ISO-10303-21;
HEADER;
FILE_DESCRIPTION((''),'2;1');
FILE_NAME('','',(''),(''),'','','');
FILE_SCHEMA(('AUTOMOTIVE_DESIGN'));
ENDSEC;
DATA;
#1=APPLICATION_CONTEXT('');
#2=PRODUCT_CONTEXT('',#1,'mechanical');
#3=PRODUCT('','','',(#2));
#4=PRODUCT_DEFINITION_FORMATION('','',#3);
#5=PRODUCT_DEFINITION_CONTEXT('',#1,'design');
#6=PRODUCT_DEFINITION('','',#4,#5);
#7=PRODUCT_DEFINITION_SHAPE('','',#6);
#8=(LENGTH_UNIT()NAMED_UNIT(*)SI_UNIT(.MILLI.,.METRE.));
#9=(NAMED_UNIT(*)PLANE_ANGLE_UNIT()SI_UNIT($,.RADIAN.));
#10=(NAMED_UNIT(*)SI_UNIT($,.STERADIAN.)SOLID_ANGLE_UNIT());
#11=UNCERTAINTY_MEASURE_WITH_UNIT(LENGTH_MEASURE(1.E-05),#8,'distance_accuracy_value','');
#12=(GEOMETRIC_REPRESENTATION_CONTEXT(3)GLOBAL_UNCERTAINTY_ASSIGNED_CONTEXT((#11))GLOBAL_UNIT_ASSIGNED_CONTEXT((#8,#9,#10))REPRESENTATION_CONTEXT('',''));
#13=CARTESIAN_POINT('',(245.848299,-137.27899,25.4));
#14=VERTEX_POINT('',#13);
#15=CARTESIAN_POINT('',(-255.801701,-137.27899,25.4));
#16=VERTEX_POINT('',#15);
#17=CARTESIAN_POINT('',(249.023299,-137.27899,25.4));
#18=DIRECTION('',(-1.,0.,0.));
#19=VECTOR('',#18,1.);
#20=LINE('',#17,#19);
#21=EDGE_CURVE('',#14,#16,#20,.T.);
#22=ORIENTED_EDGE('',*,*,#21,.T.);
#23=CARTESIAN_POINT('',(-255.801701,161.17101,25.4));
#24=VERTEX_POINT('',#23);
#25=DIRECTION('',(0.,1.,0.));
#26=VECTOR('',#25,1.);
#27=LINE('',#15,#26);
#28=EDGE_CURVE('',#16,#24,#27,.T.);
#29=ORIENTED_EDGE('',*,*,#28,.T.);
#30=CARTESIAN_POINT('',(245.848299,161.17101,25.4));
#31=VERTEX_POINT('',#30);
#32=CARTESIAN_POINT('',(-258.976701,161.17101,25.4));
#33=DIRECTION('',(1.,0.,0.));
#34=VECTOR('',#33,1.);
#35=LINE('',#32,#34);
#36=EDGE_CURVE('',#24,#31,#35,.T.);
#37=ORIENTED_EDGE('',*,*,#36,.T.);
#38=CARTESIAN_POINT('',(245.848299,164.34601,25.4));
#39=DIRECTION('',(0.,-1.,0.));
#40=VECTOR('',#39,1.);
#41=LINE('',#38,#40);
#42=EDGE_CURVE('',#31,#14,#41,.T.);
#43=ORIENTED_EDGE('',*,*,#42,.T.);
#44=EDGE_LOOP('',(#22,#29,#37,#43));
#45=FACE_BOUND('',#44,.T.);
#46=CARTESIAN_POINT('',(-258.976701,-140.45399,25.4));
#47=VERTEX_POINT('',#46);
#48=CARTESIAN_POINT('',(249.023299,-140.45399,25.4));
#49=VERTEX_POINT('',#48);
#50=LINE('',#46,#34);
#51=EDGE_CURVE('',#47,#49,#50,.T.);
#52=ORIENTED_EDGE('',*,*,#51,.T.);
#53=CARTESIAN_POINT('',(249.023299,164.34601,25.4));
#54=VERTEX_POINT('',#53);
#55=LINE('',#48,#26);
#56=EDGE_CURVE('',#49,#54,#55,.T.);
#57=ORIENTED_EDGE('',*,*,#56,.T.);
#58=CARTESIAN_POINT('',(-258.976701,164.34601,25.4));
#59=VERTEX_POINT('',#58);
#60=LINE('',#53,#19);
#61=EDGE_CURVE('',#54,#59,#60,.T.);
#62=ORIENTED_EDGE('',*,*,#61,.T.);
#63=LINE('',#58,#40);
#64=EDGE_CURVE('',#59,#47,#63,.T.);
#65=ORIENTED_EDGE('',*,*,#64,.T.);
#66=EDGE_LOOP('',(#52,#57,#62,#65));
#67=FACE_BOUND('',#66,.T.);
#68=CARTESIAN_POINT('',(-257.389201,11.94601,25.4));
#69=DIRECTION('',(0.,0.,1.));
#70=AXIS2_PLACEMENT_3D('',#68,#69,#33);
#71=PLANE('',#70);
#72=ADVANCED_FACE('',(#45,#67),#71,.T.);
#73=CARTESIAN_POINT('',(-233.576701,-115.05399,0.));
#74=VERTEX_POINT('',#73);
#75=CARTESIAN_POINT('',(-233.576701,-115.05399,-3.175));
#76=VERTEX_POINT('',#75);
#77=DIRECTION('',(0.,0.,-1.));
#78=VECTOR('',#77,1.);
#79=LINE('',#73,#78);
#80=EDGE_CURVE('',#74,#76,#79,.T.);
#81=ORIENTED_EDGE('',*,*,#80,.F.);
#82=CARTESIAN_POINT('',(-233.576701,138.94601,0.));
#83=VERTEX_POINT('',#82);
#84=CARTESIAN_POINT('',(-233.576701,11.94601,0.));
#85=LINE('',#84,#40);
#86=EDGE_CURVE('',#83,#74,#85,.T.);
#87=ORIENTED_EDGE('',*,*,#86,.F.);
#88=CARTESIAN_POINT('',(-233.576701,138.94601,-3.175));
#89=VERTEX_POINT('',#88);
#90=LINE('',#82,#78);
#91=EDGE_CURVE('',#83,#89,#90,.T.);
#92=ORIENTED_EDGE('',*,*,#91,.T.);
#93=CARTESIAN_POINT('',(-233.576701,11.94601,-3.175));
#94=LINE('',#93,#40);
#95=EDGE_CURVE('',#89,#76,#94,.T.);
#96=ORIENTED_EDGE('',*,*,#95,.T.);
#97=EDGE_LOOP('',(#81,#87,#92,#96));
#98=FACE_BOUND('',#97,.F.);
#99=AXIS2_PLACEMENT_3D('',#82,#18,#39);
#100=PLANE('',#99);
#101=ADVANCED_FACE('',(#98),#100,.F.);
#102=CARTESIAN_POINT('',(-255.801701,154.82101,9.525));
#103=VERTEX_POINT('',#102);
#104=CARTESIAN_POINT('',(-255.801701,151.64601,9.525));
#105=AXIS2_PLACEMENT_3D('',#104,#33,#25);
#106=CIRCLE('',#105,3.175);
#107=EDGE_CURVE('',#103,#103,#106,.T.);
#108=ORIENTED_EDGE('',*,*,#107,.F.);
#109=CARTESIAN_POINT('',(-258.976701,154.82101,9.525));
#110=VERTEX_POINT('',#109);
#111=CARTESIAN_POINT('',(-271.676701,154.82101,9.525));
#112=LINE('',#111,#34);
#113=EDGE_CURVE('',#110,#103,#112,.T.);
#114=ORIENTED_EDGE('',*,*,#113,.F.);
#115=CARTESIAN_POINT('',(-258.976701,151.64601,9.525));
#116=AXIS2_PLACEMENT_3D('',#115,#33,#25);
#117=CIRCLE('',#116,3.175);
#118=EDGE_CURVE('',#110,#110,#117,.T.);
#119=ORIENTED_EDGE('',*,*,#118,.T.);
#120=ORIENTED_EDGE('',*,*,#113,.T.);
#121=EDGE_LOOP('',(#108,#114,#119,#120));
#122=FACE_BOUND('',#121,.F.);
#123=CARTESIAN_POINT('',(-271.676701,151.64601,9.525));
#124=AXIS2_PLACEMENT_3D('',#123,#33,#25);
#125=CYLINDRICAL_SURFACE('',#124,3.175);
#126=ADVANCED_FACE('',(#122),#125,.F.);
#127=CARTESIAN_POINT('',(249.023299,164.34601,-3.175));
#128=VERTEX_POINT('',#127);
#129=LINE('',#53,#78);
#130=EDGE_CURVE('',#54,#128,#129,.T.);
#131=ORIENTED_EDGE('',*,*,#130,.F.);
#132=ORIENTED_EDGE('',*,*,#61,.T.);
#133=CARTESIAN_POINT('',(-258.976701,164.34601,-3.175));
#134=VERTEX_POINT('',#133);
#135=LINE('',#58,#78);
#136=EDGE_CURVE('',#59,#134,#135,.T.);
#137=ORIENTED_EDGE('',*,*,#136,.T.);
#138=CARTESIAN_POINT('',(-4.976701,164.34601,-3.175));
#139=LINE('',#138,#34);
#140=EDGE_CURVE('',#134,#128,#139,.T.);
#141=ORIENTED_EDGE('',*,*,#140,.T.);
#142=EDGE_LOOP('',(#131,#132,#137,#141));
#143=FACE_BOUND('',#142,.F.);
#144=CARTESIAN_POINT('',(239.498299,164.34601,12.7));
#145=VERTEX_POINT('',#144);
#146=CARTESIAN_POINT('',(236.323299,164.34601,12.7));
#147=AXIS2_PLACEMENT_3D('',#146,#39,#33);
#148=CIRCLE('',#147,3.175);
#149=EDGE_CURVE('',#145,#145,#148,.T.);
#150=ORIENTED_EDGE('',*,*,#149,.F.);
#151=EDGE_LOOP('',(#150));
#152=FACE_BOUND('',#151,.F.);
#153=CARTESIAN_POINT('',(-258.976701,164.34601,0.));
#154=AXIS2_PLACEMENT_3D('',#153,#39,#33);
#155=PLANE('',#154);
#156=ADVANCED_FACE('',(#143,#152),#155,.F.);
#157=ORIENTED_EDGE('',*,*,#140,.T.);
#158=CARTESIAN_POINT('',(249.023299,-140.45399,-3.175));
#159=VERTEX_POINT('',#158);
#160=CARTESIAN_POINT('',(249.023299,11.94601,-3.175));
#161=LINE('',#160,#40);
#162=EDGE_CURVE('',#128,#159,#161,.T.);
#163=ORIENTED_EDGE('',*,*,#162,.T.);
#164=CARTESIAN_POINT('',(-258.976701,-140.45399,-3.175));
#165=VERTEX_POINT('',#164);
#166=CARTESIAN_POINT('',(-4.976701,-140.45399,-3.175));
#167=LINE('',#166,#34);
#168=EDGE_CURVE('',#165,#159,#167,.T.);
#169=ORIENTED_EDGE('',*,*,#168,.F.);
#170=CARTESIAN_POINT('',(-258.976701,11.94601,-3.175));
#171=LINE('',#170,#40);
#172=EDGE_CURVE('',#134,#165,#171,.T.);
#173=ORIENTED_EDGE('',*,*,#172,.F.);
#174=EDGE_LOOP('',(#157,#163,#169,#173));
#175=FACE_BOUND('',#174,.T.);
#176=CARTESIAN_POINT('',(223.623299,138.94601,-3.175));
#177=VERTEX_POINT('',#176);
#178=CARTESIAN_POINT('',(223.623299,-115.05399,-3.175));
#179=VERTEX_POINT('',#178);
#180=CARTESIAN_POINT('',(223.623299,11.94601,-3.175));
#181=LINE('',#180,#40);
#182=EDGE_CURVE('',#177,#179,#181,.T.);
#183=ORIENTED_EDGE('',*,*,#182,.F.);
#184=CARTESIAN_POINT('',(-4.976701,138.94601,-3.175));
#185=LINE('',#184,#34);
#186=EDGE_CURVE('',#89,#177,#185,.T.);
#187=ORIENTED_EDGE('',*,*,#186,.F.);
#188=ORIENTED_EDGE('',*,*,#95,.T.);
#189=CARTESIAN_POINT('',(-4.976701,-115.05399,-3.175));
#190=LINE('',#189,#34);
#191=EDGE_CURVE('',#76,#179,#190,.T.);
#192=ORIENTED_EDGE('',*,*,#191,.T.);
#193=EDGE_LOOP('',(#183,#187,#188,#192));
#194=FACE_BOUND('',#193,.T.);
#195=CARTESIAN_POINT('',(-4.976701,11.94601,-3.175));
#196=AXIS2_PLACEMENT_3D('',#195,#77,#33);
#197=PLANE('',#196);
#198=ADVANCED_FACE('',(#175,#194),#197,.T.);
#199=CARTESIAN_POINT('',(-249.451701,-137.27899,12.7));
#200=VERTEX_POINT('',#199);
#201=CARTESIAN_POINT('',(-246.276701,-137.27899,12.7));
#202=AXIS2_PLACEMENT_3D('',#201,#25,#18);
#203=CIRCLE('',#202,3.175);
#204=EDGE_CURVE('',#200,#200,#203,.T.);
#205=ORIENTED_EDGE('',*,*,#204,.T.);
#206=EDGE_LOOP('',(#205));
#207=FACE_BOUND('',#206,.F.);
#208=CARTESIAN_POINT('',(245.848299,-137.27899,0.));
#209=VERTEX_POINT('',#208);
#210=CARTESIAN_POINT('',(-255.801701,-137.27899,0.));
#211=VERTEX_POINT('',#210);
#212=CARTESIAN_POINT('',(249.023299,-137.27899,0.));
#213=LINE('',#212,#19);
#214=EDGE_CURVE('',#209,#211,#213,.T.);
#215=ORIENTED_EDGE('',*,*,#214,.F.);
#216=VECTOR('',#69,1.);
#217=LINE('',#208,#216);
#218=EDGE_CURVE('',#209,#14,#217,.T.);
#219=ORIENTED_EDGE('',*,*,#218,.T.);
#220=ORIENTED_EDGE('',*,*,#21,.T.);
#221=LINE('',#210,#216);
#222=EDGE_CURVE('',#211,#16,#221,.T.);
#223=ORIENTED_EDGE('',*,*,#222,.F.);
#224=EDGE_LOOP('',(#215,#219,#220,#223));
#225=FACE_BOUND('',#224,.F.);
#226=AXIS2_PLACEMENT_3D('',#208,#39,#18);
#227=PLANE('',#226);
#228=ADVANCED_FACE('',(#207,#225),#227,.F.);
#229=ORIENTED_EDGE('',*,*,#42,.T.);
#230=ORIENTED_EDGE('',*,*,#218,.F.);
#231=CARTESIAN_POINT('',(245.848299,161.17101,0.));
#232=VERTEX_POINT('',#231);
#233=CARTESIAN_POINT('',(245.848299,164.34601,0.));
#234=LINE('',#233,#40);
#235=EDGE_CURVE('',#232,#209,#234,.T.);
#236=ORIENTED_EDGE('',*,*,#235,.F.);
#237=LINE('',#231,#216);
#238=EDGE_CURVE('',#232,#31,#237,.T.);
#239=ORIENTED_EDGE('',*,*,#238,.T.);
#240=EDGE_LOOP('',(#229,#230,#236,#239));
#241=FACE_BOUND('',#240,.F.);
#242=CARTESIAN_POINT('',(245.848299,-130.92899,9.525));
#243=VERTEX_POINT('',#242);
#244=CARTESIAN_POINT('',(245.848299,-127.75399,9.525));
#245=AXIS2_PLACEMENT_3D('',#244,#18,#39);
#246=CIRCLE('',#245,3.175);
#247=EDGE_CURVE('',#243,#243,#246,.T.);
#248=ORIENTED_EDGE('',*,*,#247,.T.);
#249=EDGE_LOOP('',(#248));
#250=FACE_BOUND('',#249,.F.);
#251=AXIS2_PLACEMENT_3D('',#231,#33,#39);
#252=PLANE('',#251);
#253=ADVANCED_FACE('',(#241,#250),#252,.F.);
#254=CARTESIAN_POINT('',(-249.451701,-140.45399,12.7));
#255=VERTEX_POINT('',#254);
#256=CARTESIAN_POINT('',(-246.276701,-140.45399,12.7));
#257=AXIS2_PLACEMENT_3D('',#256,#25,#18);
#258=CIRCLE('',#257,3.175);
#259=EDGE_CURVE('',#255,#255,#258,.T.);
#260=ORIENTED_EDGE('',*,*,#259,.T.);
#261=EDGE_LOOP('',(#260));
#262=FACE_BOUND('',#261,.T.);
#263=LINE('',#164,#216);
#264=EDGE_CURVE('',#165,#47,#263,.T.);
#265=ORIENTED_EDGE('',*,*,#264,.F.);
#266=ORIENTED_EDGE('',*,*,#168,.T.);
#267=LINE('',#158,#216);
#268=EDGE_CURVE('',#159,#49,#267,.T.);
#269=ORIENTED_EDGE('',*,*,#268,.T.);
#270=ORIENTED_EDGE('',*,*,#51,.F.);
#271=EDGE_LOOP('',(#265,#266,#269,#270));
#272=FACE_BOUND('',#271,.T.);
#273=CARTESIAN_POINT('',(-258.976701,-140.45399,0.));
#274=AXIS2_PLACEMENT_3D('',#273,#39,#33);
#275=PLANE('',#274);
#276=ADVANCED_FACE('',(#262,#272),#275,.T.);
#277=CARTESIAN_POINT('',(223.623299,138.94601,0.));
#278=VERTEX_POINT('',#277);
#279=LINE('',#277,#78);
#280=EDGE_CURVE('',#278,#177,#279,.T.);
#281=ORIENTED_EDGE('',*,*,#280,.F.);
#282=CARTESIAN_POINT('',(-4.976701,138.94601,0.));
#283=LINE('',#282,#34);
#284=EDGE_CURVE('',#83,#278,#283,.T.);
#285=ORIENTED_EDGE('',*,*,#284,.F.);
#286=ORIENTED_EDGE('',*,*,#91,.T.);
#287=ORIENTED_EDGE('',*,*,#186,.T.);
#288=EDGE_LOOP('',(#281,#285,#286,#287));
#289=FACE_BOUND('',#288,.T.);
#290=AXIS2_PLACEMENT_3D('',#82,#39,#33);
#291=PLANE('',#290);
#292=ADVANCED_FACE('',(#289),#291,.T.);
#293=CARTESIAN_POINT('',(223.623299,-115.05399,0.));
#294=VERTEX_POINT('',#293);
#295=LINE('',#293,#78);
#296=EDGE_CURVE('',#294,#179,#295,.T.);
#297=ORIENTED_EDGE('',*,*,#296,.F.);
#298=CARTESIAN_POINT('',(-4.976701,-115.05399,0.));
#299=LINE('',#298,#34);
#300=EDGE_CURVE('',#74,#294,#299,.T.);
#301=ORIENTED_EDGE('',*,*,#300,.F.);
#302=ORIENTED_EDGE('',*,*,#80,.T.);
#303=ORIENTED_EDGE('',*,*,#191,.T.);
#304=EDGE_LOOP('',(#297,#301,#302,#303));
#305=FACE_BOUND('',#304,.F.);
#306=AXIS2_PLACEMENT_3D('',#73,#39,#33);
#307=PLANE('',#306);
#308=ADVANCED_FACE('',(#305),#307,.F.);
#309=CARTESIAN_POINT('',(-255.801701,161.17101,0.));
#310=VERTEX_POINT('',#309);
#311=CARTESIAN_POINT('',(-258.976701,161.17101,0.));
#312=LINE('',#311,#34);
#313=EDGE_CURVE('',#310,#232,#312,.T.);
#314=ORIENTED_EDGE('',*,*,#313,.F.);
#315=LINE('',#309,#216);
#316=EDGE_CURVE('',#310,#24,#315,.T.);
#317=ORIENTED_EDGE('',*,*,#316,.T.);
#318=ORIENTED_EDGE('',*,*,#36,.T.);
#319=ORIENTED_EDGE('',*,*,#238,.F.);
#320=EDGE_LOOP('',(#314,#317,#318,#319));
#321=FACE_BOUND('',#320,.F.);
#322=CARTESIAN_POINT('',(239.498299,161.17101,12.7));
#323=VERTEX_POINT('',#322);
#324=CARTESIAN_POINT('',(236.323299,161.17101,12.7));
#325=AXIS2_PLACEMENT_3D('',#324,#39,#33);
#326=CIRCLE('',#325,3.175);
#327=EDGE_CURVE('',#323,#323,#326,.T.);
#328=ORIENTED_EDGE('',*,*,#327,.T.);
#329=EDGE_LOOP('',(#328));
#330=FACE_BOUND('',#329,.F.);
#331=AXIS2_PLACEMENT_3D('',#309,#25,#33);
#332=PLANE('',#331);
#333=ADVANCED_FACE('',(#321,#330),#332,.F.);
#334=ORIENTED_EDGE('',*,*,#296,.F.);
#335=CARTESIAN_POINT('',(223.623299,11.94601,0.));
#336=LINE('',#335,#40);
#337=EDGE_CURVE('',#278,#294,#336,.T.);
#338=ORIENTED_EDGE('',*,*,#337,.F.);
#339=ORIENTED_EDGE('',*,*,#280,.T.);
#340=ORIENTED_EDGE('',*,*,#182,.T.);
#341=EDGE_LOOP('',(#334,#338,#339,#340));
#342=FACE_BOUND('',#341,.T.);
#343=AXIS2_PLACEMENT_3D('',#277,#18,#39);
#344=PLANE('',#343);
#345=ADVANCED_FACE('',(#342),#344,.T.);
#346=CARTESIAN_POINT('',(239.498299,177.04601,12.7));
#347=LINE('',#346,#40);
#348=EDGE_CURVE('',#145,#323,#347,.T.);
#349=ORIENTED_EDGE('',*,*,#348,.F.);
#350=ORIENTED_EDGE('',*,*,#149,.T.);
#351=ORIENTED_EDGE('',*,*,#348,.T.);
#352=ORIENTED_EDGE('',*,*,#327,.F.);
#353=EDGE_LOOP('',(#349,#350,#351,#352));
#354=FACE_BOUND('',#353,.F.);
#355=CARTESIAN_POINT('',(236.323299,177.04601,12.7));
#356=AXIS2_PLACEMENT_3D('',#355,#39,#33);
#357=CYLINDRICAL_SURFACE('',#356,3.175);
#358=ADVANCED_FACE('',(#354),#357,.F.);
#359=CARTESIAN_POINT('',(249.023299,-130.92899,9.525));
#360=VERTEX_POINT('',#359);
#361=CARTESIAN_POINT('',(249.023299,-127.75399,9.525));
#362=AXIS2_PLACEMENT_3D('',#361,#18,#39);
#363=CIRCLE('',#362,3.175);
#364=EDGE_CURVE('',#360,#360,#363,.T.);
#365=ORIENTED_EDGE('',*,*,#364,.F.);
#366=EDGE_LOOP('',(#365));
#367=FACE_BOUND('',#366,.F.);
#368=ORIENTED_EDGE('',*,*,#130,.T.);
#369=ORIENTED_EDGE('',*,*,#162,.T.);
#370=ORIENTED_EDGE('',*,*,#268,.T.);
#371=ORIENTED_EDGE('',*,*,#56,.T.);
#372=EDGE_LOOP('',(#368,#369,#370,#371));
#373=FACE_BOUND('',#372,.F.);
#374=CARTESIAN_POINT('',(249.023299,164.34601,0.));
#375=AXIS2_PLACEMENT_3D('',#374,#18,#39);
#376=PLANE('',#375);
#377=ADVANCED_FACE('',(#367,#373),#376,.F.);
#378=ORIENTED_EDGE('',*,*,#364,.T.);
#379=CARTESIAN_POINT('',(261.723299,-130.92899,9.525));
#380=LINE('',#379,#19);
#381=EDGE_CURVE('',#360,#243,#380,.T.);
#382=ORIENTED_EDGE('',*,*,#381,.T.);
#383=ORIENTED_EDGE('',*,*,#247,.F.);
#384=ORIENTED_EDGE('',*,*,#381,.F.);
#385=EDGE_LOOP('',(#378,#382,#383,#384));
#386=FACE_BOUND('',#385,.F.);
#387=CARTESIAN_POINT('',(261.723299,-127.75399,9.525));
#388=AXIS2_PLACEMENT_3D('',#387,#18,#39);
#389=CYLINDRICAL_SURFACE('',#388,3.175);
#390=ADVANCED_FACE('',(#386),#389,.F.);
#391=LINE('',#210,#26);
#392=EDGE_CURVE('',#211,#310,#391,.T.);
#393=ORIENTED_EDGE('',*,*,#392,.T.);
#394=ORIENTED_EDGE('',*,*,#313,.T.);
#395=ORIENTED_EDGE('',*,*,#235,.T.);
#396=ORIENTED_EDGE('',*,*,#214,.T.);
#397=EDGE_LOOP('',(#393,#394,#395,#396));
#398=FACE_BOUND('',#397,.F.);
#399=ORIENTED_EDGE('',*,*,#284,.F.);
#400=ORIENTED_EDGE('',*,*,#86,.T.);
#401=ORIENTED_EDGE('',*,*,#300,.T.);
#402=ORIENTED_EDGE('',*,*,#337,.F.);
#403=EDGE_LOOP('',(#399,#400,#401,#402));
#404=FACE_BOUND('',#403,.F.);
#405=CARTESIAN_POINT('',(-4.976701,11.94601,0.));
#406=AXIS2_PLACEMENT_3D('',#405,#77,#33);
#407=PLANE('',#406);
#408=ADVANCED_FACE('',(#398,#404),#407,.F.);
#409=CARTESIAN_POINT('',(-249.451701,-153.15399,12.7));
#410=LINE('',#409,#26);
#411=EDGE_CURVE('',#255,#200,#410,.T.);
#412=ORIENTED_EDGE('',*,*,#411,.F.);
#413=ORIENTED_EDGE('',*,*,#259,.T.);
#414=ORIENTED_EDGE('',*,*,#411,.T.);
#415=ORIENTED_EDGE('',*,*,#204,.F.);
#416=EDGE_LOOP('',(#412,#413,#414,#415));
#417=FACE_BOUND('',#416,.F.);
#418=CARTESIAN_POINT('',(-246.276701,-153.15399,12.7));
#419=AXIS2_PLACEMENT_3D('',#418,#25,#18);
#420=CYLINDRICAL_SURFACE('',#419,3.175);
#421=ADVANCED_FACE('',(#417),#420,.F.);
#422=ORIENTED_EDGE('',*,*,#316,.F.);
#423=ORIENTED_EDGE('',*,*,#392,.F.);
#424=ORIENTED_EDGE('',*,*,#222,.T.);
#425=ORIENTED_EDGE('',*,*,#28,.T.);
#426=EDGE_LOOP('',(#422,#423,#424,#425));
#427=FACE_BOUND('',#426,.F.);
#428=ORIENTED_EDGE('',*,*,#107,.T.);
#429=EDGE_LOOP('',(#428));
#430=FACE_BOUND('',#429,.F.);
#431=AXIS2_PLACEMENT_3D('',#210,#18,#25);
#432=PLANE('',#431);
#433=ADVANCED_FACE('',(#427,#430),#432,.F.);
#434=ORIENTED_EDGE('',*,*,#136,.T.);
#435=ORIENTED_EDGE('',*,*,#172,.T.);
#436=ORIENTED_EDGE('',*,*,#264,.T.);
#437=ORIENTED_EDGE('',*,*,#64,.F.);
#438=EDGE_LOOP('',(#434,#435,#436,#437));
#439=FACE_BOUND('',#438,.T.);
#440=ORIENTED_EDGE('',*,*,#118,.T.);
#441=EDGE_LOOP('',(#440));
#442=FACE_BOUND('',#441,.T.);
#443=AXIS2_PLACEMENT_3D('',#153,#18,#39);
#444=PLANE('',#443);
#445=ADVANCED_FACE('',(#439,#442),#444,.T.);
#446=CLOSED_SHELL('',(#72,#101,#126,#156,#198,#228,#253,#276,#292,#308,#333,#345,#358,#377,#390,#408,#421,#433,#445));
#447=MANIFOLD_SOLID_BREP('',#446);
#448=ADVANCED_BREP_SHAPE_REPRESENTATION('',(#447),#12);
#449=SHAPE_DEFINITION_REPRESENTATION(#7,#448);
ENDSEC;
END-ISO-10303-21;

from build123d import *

# Parameters (mm, degrees)
F0_W      = 3.175
F0_H      = 254
F0_H_2    = 22.225
F0_H_3    = 3.175
F0_W_2    = 22.225
F0_W_3    = 457.2
F1_DEPTH  = 25.4
F2_W      = 508
F2_H      = 304.8
F2_W_2    = 501.65
F2_H_2    = 298.45
F2_W_3    = 457.2
F2_H_3    = 254
F3_DEPTH  = 3.175
F5_D      = 6.35
F5_DEPTH  = 12.7
F5_TIP    = 1.9077324654
F7_D      = 6.35
F7_DEPTH  = 12.7
F7_TIP    = 1.9077324654
F9_D      = 6.35
F9_DEPTH  = 12.7
F9_TIP    = 1.9077324654
F11_D     = 6.35
F11_DEPTH = 12.7
F11_TIP   = 1.9077324654


with BuildPart() as f1:
    # F0 (on Top) → F1 (new body)
    with BuildSketch(Plane.XY):
        with Locations((-257.3892009914, 11.9460101733)):
            Rectangle(F0_W, F0_H)
        with Locations((-257.3892009914, -126.1664898267)):
            Rectangle(F0_W, F0_H_2)
        with Locations((-257.3892009914, -138.8664898267)):
            Rectangle(F0_W, F0_H_3)
        with Locations((-244.6892009914, -138.8664898267)):
            Rectangle(F0_W_2, F0_H_3)
        with Locations((-4.9767009914, -138.8664898267)):
            Rectangle(F0_W_3, F0_H_3)
        with Locations((234.7357990086, -138.8664898267)):
            Rectangle(F0_W_2, F0_H_3)
        with Locations((247.4357990086, -138.8664898267)):
            Rectangle(F0_W, F0_H_3)
        with Locations((247.4357990086, -126.1664898267)):
            Rectangle(F0_W, F0_H_2)
        with Locations((247.4357990086, 11.9460101733)):
            Rectangle(F0_W, F0_H)
        with Locations((247.4357990086, 150.0585101733)):
            Rectangle(F0_W, F0_H_2)
        with Locations((247.4357990086, 162.7585101733)):
            Rectangle(F0_W, F0_H_3)
        with Locations((234.7357990086, 162.7585101733)):
            Rectangle(F0_W_2, F0_H_3)
        with Locations((-4.9767009914, 162.7585101733)):
            Rectangle(F0_W_3, F0_H_3)
        with Locations((-244.6892009914, 162.7585101733)):
            Rectangle(F0_W_2, F0_H_3)
        with Locations((-257.3892009914, 162.7585101733)):
            Rectangle(F0_W, F0_H_3)
        with Locations((-257.3892009914, 150.0585101733)):
            Rectangle(F0_W, F0_H_2)
    extrude(amount=F1_DEPTH)

    # F2 (on face) → F3 (join)
    with BuildSketch(Plane(origin=(0, 0, 0), x_dir=(1, 0, 0), z_dir=(0, 0, -1))):
        with Locations((-4.9767009914, -11.9460101733)):
            Rectangle(F2_W, F2_H)
        with Locations((-4.9767009914, -11.9460101733)):
            Rectangle(F2_W_2, F2_H_2, mode=Mode.SUBTRACT)
        with Locations((-4.9767009914, -11.9460101733)):
            Rectangle(F2_W_2, F2_H_2)
        with Locations((-4.9767009914, -11.9460101733)):
            Rectangle(F2_W_3, F2_H_3, mode=Mode.SUBTRACT)
    extrude(amount=F3_DEPTH)

    # F5
    with Locations(Plane.XZ.offset(140.4539898267)):
        with Locations((-246.2767009914, 12.7)):
            Hole(F5_D / 2, depth=F5_DEPTH)
            with Locations((0, 0, -(F5_DEPTH + F5_TIP / 2))):  # 118° drill point
                Cone(0, F5_D / 2, F5_TIP, mode=Mode.SUBTRACT)

    # F7
    with Locations(Plane.YZ.offset(249.0232990086)):
        with Locations((-127.7539898267, 9.525)):
            Hole(F7_D / 2, depth=F7_DEPTH)
            with Locations((0, 0, -(F7_DEPTH + F7_TIP / 2))):  # 118° drill point
                Cone(0, F7_D / 2, F7_TIP, mode=Mode.SUBTRACT)

    # F9
    with Locations(Plane(origin=(0, 164.3460101733, 0), x_dir=(-1, 0, 0), z_dir=(0, 1, 0))):
        with Locations((-236.3232990086, 12.7)):
            Hole(F9_D / 2, depth=F9_DEPTH)
            with Locations((0, 0, -(F9_DEPTH + F9_TIP / 2))):  # 118° drill point
                Cone(0, F9_D / 2, F9_TIP, mode=Mode.SUBTRACT)

    # F11
    with Locations(Plane(origin=(-258.9767009914, 0, 0), x_dir=(0, -1, 0), z_dir=(-1, 0, 0))):
        with Locations((-151.6460101733, 9.525)):
            Hole(F11_D / 2, depth=F11_DEPTH)
            with Locations((0, 0, -(F11_DEPTH + F11_TIP / 2))):  # 118° drill point
                Cone(0, F11_D / 2, F11_TIP, mode=Mode.SUBTRACT)


solid = f1.part
